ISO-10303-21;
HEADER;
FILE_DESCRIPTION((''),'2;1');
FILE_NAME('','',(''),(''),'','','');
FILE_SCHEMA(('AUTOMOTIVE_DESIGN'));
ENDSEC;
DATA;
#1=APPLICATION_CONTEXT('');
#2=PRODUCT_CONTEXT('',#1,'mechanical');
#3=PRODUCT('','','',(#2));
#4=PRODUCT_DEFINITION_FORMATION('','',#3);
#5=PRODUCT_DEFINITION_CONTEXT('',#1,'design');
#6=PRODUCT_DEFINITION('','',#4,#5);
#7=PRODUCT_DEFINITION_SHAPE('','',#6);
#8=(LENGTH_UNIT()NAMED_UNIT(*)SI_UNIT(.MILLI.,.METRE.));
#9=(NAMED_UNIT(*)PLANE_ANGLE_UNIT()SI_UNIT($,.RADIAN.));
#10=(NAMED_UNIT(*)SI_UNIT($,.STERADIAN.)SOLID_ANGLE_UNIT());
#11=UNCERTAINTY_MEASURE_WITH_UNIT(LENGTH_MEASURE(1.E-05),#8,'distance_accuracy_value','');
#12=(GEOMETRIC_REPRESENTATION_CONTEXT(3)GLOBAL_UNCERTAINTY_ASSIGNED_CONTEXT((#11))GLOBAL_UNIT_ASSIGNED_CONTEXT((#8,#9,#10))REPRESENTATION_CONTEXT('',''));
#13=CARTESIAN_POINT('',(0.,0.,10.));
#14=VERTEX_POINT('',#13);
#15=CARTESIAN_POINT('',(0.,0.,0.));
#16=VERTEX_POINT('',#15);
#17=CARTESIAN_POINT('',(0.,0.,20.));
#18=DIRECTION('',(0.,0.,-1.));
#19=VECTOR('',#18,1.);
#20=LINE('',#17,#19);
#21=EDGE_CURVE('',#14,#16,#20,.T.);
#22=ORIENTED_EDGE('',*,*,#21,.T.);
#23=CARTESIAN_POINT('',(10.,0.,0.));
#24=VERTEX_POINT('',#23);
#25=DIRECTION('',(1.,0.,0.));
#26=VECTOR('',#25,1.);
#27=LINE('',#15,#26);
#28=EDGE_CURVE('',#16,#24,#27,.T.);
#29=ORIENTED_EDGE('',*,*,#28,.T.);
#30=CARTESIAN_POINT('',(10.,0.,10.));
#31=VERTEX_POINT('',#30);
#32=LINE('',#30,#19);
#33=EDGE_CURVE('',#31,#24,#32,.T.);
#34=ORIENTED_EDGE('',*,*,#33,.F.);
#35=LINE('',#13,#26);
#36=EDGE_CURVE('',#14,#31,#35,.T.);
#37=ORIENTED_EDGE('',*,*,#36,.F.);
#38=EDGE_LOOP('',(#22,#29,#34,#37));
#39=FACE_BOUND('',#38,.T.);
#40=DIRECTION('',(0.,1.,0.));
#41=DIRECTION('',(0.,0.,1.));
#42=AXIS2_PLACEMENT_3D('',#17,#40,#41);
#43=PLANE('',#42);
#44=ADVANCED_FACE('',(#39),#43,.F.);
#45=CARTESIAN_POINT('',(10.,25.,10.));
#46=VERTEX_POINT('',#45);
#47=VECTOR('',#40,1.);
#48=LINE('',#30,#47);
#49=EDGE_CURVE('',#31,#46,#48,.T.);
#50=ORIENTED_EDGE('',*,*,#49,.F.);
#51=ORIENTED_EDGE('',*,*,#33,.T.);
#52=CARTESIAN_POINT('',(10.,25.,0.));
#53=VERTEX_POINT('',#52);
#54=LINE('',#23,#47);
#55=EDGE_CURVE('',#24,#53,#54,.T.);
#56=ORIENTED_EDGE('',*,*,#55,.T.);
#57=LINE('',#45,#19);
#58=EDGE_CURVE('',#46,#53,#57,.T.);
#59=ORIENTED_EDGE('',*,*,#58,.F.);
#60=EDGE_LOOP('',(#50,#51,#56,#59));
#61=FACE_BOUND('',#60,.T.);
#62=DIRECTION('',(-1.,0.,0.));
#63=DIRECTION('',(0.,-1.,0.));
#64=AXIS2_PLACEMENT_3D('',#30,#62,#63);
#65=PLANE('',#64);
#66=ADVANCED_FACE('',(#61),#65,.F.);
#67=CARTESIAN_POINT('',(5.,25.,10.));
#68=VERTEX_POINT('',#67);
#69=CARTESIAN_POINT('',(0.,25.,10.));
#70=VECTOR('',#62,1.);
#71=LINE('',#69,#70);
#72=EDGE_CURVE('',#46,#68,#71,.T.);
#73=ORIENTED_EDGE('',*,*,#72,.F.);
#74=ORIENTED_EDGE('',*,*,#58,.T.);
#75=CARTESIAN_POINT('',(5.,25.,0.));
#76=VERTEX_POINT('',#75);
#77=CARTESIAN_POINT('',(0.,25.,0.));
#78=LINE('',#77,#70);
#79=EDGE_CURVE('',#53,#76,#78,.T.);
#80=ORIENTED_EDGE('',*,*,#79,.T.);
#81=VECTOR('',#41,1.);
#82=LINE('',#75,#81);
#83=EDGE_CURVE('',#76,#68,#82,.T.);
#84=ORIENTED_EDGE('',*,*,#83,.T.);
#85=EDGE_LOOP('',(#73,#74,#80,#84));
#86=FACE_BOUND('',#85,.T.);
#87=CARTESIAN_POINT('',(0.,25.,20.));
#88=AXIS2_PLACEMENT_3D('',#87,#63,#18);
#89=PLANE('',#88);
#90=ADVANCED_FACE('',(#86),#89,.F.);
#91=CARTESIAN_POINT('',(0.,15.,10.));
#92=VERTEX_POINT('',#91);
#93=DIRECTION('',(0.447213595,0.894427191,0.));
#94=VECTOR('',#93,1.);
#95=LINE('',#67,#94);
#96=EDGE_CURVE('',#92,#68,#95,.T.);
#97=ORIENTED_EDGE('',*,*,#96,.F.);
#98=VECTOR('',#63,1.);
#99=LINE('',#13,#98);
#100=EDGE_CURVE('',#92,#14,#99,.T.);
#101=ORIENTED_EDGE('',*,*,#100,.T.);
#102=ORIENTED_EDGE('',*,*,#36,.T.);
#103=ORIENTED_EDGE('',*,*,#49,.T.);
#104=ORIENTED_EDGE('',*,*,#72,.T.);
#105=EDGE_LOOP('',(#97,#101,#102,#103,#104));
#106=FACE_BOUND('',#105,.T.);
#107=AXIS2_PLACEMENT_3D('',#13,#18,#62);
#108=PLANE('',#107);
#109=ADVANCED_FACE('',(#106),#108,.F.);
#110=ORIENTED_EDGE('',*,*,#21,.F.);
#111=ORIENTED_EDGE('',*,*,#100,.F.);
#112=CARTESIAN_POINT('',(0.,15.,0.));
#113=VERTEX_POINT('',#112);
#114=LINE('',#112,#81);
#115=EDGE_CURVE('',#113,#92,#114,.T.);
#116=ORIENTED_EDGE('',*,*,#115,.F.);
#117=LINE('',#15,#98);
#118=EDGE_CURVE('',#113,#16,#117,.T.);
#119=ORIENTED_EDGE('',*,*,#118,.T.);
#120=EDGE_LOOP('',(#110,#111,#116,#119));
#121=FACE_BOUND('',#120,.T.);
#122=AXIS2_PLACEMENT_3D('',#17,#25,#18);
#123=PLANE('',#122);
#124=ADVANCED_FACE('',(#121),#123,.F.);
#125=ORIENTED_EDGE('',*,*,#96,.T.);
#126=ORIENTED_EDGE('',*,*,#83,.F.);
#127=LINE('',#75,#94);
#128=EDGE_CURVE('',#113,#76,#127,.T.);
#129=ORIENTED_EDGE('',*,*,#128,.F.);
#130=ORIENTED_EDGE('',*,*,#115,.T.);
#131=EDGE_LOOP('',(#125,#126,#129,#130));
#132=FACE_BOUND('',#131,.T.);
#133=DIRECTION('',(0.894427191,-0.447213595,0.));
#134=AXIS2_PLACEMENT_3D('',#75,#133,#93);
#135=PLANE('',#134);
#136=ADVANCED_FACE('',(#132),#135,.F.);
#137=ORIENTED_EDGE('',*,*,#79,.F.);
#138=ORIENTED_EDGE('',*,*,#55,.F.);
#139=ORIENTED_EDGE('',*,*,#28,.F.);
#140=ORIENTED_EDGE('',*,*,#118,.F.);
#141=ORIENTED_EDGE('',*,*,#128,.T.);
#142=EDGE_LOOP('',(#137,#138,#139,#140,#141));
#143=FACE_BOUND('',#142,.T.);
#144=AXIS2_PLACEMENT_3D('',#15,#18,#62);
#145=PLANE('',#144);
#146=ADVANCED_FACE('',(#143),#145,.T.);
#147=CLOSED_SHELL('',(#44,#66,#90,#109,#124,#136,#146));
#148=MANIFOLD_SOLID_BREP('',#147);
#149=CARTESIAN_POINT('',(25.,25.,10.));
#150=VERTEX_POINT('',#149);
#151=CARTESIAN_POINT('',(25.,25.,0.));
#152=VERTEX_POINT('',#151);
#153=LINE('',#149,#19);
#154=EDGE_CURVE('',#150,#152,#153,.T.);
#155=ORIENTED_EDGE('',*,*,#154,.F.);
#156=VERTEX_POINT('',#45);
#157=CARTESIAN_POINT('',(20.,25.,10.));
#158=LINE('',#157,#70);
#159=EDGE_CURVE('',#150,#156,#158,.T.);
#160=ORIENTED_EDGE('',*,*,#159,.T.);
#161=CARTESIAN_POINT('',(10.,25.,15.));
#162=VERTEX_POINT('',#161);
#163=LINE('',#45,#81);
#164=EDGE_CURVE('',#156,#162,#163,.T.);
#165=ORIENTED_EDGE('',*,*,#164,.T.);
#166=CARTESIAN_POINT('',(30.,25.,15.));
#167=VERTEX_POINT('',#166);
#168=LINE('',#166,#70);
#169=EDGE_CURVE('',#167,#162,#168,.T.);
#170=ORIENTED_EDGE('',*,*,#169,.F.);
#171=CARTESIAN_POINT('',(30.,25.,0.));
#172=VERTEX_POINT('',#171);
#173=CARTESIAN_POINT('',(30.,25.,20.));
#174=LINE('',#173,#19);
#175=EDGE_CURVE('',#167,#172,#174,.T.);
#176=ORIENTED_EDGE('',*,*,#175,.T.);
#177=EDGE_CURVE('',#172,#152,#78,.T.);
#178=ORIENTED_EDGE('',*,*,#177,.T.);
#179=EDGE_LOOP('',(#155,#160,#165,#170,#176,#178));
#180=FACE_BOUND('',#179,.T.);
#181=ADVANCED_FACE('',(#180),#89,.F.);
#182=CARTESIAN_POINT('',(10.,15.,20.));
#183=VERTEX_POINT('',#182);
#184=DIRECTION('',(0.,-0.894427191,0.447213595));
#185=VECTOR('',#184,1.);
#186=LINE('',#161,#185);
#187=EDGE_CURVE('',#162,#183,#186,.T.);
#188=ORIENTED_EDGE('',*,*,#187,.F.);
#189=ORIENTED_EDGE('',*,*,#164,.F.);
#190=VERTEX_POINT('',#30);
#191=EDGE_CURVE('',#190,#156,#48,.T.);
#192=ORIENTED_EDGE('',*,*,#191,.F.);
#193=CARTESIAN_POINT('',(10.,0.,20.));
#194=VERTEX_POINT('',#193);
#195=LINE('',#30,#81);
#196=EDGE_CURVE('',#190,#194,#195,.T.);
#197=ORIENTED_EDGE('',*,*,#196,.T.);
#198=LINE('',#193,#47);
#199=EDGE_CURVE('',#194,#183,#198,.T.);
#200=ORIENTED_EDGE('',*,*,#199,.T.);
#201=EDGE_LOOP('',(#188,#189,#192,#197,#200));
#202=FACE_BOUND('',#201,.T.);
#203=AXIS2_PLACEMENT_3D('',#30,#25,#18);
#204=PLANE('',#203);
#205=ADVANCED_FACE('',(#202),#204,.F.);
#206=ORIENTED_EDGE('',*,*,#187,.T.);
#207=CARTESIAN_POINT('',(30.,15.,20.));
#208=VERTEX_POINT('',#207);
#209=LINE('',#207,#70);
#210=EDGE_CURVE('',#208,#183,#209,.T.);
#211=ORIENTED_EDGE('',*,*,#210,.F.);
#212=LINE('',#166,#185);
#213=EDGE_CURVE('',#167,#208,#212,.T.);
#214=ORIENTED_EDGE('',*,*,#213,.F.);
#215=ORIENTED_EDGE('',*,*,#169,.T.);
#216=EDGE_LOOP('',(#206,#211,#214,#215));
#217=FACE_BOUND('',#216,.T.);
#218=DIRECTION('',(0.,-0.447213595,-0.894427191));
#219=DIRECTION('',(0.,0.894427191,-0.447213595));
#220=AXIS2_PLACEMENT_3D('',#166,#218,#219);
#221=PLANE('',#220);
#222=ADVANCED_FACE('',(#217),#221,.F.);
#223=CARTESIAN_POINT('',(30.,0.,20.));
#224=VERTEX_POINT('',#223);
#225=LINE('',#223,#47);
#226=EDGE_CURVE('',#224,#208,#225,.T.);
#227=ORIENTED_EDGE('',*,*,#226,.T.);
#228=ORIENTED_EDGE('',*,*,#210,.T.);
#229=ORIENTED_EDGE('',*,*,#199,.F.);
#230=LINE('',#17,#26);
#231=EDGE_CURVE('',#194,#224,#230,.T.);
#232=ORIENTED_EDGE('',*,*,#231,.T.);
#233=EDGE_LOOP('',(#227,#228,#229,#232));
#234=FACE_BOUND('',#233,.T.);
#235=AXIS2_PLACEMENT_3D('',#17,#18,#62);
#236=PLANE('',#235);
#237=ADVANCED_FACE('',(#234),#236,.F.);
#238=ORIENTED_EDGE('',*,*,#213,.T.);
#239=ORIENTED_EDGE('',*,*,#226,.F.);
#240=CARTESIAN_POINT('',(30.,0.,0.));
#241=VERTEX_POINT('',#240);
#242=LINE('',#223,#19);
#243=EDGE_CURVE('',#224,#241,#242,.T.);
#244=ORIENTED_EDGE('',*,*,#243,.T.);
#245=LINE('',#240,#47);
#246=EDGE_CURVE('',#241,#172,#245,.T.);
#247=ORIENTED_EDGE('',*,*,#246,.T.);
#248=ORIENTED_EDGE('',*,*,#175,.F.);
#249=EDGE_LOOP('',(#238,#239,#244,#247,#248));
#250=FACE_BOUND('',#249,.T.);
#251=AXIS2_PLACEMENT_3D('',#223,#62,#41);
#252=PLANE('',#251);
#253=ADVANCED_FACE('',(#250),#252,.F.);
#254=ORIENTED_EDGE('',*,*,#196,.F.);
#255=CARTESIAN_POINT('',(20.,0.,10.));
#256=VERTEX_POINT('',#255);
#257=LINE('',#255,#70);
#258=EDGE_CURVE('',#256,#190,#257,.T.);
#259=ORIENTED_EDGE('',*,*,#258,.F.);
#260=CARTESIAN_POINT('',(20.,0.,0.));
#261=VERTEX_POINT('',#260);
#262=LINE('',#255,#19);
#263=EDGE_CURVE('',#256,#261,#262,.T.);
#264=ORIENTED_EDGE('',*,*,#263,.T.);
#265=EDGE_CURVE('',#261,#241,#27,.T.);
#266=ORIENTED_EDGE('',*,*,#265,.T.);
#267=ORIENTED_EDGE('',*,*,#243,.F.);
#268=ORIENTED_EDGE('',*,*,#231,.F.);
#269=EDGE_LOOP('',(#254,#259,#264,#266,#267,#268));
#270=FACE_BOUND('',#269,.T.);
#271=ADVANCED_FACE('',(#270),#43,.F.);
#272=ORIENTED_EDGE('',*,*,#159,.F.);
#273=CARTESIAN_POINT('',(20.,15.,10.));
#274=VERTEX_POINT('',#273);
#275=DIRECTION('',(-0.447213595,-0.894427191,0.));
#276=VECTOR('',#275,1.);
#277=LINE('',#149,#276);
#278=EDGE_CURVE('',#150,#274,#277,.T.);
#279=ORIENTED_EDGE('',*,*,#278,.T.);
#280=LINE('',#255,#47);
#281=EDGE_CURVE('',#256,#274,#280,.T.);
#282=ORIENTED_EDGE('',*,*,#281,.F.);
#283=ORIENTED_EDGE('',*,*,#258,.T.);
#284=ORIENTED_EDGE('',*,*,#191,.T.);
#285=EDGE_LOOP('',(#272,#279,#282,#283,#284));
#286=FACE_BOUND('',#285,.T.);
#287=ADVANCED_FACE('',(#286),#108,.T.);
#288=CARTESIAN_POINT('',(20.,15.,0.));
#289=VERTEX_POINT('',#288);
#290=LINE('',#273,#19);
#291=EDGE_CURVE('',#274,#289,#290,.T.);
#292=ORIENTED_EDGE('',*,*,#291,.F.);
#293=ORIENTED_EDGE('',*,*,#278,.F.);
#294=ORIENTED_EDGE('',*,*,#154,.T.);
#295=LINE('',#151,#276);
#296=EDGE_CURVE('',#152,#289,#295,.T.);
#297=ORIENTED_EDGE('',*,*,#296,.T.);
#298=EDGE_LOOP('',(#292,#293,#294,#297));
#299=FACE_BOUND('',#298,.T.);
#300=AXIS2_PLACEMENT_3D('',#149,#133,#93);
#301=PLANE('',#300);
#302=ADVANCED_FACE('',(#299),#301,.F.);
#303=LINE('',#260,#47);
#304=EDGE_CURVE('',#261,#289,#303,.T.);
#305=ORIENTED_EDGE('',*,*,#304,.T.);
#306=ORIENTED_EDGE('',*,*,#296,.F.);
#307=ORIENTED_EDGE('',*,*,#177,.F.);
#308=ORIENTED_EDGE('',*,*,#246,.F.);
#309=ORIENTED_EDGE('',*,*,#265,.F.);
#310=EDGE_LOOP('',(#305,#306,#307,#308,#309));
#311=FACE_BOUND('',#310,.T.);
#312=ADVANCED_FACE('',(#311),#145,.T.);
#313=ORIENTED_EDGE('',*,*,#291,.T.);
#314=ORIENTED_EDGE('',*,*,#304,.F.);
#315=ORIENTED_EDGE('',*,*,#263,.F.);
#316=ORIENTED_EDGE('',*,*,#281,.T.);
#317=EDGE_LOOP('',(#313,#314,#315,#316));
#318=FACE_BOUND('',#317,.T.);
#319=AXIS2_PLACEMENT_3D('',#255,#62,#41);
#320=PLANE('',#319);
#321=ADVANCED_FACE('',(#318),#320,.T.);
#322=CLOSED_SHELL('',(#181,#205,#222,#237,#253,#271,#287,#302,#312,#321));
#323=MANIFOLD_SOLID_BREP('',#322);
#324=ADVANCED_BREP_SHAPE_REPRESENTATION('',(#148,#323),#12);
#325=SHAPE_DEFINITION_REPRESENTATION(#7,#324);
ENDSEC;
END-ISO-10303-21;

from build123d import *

# Parameters (mm, degrees)
SKETCH1_W           = 30
SKETCH1_H           = 25
BOSS_EXTRUDE1_DEPTH = 20
SKETCH2_W           = 10
SKETCH2_H           = 25
CUT_EXTRUDE1_DEPTH  = 10
CUT_EXTRUDE2_DEPTH  = 10
SKETCH4_W           = 10
SKETCH4_H           = 25
CUT_EXTRUDE4_DEPTH  = 10
CUT_EXTRUDE5_DEPTH  = 10
CUT_EXTRUDE6_DEPTH  = 20


with BuildPart() as part:
    # Sketch1 → Boss-Extrude1 (new body)
    with BuildSketch(Plane.XY):
        with Locations((15, 12.5)):
            Rectangle(SKETCH1_W, SKETCH1_H)
    extrude(amount=BOSS_EXTRUDE1_DEPTH)

    # Sketch2 → Cut-Extrude1 (cut)
    with BuildSketch(Plane.XY.offset(20)):
        with Locations((5, 12.5)):
            Rectangle(SKETCH2_W, SKETCH2_H)
    extrude(amount=-CUT_EXTRUDE1_DEPTH, mode=Mode.SUBTRACT)

    # Sketch3 → Cut-Extrude2 (cut)
    with BuildSketch(Plane.XY.offset(10)):
        Polygon((0, 25), (5, 25), (0, 15), align=None)
    extrude(amount=-CUT_EXTRUDE2_DEPTH, mode=Mode.SUBTRACT)

    # Sketch4 → Cut-Extrude4 (cut)
    with BuildSketch(Plane(origin=(0, 0, 0), x_dir=(-1, 0, 0), z_dir=(0, 0, -1))):
        with Locations((-15, 12.5)):
            Rectangle(SKETCH4_W, SKETCH4_H)
    extrude(amount=-CUT_EXTRUDE4_DEPTH, mode=Mode.SUBTRACT)

    # Sketch5 → Cut-Extrude5 (cut)
    with BuildSketch(Plane(origin=(0, 0, 0), x_dir=(-1, 0, 0), z_dir=(0, 0, -1))):
        Polygon((-25, 25), (-20, 15), (-20, 25), align=None)
    extrude(amount=-CUT_EXTRUDE5_DEPTH, mode=Mode.SUBTRACT)

    # Sketch6 → Cut-Extrude6 (cut)
    with BuildSketch(Plane.ZY.offset(-10)):
        Polygon((15, 25), (20, 15), (20, 25), align=None)
    extrude(amount=-CUT_EXTRUDE6_DEPTH, mode=Mode.SUBTRACT)


solid = part.part
